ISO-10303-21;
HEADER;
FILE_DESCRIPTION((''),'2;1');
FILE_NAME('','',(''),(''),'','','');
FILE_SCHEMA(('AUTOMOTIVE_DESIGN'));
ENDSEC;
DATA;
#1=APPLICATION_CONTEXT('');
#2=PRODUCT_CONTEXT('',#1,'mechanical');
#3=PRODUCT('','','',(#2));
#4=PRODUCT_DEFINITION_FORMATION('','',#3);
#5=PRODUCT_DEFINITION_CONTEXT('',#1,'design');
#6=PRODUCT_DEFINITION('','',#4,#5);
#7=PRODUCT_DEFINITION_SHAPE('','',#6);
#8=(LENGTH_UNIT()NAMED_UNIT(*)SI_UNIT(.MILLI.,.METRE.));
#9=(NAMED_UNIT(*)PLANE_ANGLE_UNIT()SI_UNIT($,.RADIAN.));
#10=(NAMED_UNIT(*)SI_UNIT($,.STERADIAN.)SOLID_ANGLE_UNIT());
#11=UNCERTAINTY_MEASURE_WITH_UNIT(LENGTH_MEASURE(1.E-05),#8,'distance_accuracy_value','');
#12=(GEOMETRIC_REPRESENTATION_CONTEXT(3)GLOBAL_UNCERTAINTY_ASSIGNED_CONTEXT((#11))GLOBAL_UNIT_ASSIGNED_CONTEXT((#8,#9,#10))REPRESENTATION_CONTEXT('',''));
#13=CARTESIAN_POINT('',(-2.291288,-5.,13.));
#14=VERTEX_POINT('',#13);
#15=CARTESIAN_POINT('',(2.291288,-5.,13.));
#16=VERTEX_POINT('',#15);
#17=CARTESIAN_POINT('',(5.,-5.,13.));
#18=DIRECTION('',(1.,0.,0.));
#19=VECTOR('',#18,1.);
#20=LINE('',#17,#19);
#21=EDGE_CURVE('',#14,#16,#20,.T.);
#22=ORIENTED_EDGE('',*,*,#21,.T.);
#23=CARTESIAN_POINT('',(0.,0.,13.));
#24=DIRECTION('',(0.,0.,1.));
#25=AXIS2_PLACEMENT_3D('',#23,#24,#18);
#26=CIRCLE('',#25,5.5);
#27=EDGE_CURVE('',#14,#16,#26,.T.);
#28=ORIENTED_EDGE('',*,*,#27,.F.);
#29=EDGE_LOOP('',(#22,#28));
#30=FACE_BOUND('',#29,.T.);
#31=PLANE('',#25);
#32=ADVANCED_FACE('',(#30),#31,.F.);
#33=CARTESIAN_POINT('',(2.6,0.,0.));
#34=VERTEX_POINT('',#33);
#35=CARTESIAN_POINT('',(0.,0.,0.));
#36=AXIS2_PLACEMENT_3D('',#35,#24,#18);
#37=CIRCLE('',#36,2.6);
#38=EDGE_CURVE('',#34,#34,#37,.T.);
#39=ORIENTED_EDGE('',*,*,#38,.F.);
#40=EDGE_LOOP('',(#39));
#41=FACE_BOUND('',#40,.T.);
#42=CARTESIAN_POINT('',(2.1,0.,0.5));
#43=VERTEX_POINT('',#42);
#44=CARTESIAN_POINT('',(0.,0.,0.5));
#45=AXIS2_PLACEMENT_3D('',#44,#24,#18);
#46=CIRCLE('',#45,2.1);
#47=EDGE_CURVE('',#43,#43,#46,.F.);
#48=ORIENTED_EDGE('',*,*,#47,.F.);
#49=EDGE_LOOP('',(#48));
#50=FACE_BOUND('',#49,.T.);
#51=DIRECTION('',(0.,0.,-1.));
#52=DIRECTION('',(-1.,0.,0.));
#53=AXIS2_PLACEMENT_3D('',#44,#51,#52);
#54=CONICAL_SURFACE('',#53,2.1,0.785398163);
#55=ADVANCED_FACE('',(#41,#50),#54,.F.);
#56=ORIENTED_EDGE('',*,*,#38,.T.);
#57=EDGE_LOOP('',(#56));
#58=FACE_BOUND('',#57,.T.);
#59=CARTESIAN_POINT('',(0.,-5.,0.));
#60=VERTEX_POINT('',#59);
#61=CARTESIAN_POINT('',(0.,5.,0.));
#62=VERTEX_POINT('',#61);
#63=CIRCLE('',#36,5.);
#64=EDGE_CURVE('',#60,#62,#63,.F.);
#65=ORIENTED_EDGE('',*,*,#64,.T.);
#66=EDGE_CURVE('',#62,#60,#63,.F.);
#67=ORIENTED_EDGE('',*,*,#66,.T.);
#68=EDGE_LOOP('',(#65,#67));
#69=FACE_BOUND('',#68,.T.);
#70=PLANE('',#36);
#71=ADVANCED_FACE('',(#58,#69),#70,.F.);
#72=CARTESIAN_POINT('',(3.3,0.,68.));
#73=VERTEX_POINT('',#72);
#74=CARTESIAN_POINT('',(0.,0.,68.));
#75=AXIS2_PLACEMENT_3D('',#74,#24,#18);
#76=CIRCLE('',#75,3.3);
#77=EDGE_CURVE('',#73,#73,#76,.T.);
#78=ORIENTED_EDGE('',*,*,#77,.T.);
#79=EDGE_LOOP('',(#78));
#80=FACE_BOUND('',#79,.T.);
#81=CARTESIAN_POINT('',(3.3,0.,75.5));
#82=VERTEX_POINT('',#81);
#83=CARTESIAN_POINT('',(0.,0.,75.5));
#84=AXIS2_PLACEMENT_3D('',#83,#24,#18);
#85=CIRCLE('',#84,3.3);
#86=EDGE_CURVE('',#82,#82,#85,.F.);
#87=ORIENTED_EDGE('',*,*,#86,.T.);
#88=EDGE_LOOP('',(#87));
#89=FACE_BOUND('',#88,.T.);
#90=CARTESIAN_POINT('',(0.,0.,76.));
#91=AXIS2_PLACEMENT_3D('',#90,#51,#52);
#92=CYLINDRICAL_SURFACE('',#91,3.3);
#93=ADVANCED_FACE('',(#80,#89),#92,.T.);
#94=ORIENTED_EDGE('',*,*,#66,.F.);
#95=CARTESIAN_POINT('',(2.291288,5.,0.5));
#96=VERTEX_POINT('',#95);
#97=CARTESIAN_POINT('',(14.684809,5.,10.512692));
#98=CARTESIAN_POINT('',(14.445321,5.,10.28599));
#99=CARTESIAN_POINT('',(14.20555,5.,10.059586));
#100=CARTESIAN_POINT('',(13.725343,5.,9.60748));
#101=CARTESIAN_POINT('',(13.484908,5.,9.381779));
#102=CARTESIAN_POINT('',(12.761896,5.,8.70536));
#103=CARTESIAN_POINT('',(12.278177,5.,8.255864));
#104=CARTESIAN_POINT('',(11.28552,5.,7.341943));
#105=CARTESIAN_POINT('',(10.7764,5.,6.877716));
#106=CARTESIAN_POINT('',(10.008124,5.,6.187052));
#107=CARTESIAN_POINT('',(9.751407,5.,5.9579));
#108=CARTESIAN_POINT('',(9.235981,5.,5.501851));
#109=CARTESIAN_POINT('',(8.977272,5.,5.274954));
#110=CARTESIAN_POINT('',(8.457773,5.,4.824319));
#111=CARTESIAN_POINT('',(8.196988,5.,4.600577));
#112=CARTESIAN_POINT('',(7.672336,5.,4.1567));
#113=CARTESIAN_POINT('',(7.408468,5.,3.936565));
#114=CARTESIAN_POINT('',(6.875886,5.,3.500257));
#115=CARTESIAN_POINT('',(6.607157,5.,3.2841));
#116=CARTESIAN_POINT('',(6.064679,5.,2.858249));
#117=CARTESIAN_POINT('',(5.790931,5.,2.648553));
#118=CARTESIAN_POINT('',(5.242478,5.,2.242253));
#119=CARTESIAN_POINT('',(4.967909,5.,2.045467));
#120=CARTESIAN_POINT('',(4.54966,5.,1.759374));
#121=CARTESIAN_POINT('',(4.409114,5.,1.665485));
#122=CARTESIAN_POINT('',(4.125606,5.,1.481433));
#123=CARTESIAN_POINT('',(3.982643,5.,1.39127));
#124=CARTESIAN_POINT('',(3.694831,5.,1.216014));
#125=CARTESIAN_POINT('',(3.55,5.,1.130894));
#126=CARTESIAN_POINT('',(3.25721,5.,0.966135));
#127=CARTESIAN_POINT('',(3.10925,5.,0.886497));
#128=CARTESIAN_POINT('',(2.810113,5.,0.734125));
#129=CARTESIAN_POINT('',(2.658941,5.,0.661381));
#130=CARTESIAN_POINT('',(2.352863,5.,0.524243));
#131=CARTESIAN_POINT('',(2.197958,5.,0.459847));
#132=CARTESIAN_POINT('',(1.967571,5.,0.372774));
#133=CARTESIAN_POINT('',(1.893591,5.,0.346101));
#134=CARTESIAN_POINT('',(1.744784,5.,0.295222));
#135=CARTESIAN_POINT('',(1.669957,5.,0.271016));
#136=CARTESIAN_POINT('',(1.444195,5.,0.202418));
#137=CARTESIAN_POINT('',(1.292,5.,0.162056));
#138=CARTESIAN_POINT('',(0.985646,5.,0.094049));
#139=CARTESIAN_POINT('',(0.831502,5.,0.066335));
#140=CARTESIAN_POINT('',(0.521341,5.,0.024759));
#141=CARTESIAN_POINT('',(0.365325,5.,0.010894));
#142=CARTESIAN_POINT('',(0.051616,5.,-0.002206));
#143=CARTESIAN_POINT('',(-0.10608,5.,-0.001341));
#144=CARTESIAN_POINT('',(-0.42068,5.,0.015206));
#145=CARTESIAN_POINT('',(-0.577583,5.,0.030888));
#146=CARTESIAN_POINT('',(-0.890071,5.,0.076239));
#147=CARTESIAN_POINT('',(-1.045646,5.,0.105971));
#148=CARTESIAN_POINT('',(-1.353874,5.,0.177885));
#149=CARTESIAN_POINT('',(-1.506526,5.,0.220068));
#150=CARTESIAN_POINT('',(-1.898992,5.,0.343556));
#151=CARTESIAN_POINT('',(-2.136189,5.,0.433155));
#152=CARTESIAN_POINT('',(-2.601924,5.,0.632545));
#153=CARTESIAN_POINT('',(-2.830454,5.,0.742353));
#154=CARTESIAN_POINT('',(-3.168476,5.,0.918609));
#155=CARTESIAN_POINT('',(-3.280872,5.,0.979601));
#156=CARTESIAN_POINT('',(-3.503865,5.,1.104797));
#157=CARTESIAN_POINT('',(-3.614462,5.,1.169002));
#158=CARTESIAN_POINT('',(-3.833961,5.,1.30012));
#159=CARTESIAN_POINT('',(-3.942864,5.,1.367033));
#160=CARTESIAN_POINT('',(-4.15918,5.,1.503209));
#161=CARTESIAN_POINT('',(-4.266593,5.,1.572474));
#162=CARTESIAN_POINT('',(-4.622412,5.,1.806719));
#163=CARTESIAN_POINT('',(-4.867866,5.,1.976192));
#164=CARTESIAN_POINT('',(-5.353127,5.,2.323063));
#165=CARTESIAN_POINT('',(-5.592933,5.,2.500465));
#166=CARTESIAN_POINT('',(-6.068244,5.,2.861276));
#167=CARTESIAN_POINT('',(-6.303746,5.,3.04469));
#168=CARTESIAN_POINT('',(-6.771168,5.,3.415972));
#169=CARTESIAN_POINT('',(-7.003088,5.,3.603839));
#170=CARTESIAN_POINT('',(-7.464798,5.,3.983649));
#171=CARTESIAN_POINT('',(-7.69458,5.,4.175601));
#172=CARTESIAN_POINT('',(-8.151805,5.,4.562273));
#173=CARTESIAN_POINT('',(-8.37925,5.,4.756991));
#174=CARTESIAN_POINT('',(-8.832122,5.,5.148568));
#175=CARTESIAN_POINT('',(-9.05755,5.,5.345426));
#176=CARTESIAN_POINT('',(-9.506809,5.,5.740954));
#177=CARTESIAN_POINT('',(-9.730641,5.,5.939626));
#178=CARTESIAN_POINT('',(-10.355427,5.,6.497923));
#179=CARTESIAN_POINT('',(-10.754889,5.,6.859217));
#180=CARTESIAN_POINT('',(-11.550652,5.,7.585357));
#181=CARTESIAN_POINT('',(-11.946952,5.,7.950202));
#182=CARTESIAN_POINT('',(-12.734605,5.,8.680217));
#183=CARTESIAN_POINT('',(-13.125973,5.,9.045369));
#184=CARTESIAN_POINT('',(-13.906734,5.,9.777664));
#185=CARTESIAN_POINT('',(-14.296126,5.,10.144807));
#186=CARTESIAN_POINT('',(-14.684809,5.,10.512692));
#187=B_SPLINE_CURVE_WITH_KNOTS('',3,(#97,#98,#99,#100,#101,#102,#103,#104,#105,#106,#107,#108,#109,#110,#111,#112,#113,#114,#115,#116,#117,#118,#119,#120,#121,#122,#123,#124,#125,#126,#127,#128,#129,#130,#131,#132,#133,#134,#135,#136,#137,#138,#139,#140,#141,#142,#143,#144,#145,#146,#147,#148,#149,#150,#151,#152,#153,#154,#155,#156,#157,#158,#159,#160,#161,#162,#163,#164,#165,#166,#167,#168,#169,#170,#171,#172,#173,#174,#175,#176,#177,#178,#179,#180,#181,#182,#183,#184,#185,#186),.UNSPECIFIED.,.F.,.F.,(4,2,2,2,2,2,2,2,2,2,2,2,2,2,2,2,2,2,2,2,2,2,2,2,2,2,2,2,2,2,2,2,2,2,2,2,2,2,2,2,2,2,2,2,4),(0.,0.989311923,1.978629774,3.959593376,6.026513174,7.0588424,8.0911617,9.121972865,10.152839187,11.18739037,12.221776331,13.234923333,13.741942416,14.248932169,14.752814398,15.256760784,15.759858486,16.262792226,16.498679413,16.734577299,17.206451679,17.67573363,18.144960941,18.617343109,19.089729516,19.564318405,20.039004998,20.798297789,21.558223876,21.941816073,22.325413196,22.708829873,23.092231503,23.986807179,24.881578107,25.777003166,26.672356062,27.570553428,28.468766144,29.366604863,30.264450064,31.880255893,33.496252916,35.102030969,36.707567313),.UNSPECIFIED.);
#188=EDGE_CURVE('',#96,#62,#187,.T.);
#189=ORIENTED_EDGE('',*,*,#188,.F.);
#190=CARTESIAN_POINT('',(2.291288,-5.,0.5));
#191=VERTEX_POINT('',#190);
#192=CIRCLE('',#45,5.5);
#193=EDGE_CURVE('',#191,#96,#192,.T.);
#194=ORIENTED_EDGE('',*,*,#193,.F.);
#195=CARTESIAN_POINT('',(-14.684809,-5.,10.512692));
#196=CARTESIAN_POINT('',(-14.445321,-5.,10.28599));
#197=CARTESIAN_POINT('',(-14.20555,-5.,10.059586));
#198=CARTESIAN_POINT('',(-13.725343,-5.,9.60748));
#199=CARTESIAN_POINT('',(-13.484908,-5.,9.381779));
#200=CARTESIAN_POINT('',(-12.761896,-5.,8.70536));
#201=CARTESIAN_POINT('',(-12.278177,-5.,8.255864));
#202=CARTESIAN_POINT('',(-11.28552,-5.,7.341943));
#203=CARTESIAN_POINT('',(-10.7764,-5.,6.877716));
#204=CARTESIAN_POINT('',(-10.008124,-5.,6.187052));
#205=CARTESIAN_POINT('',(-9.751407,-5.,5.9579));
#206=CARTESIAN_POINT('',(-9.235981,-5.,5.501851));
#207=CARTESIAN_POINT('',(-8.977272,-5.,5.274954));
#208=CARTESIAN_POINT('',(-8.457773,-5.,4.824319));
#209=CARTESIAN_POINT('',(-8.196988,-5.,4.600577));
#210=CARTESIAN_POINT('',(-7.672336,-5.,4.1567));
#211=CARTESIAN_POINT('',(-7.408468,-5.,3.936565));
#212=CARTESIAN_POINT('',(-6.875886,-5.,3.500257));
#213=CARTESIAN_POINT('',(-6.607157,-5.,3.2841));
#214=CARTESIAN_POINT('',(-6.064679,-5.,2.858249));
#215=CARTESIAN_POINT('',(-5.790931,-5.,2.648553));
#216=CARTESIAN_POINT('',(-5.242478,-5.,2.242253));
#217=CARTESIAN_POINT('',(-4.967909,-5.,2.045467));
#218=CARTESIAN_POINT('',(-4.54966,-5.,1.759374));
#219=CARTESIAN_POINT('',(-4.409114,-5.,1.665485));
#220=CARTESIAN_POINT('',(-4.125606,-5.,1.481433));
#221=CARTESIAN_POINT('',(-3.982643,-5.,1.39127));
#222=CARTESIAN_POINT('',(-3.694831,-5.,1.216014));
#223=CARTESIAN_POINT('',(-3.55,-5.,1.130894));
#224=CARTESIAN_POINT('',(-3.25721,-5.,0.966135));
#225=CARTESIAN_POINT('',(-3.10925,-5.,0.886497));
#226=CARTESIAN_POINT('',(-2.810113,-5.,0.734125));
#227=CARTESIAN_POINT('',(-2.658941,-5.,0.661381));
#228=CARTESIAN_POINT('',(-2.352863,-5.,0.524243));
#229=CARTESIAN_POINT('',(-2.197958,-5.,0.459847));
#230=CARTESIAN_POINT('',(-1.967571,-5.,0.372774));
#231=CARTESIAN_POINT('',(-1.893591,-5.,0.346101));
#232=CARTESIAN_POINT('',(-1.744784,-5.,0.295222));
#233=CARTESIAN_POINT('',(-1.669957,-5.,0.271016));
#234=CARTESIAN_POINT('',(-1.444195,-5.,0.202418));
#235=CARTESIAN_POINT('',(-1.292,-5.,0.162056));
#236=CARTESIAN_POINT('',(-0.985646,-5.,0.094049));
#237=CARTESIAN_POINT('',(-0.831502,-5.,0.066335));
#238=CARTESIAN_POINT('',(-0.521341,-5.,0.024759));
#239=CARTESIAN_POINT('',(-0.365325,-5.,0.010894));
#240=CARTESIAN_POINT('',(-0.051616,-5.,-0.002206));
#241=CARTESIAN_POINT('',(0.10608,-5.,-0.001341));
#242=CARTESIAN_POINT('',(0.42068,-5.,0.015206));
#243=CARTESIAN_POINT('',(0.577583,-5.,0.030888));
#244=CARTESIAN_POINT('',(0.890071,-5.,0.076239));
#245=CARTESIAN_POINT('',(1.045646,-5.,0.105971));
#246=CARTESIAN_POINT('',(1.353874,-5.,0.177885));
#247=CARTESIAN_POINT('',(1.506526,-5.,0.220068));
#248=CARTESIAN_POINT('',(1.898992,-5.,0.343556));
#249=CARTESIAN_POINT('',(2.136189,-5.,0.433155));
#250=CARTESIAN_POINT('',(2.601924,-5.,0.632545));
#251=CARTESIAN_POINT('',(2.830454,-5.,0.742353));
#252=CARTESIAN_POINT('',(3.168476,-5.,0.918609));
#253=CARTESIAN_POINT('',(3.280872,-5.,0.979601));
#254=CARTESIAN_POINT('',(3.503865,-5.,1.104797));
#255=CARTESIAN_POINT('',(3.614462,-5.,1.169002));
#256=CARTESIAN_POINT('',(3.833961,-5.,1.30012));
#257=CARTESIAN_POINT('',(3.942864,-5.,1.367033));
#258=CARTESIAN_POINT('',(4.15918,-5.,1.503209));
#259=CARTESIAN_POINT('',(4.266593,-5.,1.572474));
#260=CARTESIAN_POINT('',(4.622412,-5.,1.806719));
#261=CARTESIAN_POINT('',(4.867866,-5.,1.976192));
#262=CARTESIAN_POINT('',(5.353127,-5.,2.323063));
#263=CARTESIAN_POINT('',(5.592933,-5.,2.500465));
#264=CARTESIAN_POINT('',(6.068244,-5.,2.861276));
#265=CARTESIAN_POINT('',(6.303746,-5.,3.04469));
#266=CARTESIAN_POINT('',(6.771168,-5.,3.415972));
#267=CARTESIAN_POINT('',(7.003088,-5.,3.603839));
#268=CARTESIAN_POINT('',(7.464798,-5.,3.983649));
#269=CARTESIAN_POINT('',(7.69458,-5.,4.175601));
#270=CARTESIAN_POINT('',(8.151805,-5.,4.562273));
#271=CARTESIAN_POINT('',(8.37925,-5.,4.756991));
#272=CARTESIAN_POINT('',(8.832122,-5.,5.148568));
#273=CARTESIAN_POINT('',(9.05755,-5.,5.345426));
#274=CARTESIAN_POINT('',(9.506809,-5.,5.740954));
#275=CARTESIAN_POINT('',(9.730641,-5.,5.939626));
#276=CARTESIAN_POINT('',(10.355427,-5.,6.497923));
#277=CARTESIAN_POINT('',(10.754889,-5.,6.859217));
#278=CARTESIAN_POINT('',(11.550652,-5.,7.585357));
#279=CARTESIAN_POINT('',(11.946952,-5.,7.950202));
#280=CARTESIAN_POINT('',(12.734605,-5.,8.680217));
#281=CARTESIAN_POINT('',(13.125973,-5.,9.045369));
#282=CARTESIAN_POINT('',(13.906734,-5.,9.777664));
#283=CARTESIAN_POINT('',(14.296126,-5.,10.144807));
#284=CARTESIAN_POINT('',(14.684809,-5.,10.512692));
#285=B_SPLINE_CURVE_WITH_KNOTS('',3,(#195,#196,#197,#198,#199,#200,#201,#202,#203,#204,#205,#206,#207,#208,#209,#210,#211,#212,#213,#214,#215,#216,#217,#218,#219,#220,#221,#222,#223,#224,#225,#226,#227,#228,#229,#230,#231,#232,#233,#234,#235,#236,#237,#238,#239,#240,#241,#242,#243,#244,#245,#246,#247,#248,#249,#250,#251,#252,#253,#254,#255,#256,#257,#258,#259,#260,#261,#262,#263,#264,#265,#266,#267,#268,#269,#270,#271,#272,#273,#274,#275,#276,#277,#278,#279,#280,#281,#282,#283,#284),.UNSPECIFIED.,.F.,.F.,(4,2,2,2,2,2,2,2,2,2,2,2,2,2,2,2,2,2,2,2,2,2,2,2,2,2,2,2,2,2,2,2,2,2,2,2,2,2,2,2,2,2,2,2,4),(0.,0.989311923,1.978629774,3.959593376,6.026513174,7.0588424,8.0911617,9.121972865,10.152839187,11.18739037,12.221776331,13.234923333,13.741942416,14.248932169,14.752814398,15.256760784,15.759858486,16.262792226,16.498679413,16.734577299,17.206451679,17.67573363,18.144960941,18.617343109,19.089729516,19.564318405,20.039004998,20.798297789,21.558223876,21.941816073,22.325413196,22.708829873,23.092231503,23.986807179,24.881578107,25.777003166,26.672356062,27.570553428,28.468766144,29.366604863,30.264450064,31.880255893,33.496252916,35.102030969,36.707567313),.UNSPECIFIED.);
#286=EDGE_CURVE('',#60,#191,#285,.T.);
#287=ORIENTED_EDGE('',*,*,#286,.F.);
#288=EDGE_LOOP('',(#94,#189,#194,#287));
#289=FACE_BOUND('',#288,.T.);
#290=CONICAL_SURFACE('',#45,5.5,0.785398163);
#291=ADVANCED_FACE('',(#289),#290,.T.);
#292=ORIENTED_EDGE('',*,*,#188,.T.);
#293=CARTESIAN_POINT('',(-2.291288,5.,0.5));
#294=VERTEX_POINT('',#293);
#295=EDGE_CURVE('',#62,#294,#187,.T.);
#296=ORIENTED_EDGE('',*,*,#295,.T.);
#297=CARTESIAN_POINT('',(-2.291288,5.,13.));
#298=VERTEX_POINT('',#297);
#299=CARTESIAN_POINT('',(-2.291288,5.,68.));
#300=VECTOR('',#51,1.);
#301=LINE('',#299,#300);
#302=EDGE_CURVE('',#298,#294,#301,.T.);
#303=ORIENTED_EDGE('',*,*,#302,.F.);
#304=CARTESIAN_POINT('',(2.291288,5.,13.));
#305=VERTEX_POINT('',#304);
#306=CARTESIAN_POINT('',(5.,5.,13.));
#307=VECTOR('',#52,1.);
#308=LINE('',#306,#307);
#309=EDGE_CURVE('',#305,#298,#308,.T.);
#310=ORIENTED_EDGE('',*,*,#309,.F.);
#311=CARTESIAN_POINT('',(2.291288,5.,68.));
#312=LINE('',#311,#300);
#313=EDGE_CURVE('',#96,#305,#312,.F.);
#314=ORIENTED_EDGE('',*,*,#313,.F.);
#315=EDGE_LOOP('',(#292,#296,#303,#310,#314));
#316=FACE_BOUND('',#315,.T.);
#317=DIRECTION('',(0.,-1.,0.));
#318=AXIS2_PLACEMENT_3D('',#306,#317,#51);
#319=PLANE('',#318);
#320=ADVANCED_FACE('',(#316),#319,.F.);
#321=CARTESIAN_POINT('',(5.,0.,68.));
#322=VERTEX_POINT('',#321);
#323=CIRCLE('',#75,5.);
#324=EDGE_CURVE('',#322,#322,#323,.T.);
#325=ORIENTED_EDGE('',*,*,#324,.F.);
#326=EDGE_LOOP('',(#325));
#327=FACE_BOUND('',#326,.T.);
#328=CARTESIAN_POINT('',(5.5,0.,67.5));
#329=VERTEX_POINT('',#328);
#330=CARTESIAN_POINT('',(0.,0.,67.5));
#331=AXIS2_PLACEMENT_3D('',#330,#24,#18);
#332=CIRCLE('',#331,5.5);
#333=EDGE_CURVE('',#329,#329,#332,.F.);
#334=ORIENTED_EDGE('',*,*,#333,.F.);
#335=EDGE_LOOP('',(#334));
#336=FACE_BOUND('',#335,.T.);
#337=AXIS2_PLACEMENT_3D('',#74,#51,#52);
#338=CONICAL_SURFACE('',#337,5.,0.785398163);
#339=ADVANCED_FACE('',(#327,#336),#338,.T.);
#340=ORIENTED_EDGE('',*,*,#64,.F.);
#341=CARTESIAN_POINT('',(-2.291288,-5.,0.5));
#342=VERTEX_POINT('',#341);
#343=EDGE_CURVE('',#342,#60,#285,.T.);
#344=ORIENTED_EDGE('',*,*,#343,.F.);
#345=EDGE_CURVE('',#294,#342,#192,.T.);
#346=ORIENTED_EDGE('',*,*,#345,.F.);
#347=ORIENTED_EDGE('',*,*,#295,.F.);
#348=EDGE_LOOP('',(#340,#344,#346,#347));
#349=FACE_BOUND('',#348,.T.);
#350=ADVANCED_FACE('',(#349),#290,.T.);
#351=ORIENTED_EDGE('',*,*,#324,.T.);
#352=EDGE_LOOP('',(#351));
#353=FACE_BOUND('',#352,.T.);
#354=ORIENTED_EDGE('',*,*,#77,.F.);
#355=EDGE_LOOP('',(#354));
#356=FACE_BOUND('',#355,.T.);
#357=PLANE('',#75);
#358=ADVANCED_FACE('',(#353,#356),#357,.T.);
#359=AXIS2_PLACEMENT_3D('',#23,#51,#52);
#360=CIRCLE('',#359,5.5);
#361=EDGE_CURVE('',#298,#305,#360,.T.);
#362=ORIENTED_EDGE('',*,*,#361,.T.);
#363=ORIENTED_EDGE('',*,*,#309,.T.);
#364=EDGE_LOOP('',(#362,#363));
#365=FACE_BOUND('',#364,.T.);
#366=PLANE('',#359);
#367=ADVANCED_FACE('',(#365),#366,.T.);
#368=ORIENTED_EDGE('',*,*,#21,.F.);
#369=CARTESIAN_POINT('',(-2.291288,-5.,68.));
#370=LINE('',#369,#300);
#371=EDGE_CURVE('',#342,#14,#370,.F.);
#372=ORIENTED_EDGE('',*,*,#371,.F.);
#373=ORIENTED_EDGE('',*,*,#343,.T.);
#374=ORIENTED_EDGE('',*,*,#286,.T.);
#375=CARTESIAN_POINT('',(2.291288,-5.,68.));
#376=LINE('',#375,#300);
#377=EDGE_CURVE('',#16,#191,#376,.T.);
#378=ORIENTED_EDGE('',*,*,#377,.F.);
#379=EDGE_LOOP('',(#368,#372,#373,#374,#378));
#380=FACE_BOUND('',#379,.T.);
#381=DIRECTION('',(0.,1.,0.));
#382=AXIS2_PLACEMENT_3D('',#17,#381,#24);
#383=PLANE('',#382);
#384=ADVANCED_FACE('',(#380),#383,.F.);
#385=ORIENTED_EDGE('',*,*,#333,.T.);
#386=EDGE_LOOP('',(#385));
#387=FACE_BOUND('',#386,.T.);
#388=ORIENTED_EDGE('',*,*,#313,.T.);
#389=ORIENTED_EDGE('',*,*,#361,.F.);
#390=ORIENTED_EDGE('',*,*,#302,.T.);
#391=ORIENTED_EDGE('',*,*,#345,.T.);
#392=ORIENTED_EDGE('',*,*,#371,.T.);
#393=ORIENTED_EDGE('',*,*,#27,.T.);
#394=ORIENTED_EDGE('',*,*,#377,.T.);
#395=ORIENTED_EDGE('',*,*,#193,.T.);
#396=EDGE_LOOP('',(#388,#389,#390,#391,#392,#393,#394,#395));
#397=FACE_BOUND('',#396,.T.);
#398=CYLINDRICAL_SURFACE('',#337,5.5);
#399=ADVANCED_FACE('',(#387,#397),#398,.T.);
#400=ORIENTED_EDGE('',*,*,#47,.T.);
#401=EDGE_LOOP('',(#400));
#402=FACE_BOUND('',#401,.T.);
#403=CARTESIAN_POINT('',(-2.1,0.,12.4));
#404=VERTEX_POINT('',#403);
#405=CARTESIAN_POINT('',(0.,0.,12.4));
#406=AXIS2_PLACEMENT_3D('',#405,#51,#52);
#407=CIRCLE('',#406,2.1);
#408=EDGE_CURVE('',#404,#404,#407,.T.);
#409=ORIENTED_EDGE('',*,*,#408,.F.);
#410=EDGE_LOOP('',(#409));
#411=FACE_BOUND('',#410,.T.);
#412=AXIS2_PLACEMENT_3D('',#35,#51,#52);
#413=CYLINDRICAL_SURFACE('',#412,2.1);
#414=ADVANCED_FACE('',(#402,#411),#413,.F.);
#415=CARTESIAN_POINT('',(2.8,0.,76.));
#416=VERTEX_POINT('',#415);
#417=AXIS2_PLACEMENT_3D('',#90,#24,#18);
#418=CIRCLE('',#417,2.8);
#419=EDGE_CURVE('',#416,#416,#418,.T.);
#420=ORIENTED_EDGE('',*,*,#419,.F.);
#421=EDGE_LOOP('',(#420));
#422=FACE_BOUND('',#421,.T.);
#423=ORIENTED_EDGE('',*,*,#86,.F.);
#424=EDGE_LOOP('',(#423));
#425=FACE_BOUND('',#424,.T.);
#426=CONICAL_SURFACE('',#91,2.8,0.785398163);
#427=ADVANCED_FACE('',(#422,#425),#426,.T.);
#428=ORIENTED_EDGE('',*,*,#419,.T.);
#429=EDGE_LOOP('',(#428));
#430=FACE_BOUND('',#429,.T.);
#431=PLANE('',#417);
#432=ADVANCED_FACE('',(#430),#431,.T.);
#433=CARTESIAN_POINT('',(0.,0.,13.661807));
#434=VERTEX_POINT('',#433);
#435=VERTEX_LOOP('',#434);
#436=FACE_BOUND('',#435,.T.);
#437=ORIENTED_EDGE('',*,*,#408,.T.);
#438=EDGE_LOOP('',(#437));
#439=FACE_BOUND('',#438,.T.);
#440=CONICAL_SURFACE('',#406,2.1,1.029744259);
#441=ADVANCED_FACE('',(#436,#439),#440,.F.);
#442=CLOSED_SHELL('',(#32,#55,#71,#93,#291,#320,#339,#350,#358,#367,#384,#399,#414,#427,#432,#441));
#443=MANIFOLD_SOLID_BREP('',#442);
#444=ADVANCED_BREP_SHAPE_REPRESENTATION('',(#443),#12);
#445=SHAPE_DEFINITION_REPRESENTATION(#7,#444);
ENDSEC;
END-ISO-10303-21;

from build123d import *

# Parameters (mm, degrees)
SKETCH_1_R             = 5.5
EXTRUDE_1_DEPTH        = 68
CHAMFER_1_SIZE         = 0.5
SKETCH_2_R             = 3.3
EXTRUDE_2_DEPTH        = 8
CHAMFER_2_SIZE         = 0.5
HOLE_WIZARD_M5_1_D     = 4.2
HOLE_WIZARD_M5_1_DEPTH = 12.4
HOLE_WIZARD_M5_1_TIP   = 1.2618073
CHAMFER_3_SIZE         = 0.5
SKETCH_6_W             = 10
SKETCH_6_H             = 3
CUT_EXTRUDE_1_DEPTH    = 13


with BuildPart() as part:
    # 草图1 → 拉伸1 (new body)
    with BuildSketch(Plane.XY):
        Circle(SKETCH_1_R)
    extrude(amount=EXTRUDE_1_DEPTH)

    # 倒角1
    chamfer_1_edges = [part.edges().sort_by_distance(p)[0] for p in [
        (-5.5, 0, 0),
        (-5.5, 0, 68),
    ]]
    chamfer(chamfer_1_edges, length=CHAMFER_1_SIZE)

    # 草图2 → 拉伸2 (add)
    with BuildSketch(Plane.XY.offset(68)):
        Circle(SKETCH_2_R)
    extrude(amount=EXTRUDE_2_DEPTH)

    # 倒角2
    chamfer_2_edges = [part.edges().sort_by_distance(p)[0] for p in [
        (-3.3, 0, 76),
    ]]
    chamfer(chamfer_2_edges, length=CHAMFER_2_SIZE)

    # M5 螺纹孔1
    with Locations(Plane(origin=(0, 0, 0), x_dir=(-1, 0, 0), z_dir=(0, 0, -1))):
        with Locations((0, 0)):
            Hole(HOLE_WIZARD_M5_1_D / 2, depth=HOLE_WIZARD_M5_1_DEPTH)
            with Locations((0, 0, -(HOLE_WIZARD_M5_1_DEPTH + HOLE_WIZARD_M5_1_TIP / 2))):  # 118° drill point
                Cone(0, HOLE_WIZARD_M5_1_D / 2, HOLE_WIZARD_M5_1_TIP, mode=Mode.SUBTRACT)

    # 倒角3
    chamfer_3_edges = [part.edges().sort_by_distance(p)[0] for p in [
        (-2.1, 0, 0),
    ]]
    chamfer(chamfer_3_edges, length=CHAMFER_3_SIZE)

    # 草图6 → 切除-拉伸1 (cut)
    with BuildSketch(Plane(origin=(0, 0, 0), x_dir=(-1, 0, 0), z_dir=(0, 0, -1))):
        with Locations((0, 6.5)):
            Rectangle(SKETCH_6_W, SKETCH_6_H)
        with Locations((0, -6.5)):
            Rectangle(SKETCH_6_W, SKETCH_6_H)
    extrude(amount=-CUT_EXTRUDE_1_DEPTH, mode=Mode.SUBTRACT)


solid = part.part
